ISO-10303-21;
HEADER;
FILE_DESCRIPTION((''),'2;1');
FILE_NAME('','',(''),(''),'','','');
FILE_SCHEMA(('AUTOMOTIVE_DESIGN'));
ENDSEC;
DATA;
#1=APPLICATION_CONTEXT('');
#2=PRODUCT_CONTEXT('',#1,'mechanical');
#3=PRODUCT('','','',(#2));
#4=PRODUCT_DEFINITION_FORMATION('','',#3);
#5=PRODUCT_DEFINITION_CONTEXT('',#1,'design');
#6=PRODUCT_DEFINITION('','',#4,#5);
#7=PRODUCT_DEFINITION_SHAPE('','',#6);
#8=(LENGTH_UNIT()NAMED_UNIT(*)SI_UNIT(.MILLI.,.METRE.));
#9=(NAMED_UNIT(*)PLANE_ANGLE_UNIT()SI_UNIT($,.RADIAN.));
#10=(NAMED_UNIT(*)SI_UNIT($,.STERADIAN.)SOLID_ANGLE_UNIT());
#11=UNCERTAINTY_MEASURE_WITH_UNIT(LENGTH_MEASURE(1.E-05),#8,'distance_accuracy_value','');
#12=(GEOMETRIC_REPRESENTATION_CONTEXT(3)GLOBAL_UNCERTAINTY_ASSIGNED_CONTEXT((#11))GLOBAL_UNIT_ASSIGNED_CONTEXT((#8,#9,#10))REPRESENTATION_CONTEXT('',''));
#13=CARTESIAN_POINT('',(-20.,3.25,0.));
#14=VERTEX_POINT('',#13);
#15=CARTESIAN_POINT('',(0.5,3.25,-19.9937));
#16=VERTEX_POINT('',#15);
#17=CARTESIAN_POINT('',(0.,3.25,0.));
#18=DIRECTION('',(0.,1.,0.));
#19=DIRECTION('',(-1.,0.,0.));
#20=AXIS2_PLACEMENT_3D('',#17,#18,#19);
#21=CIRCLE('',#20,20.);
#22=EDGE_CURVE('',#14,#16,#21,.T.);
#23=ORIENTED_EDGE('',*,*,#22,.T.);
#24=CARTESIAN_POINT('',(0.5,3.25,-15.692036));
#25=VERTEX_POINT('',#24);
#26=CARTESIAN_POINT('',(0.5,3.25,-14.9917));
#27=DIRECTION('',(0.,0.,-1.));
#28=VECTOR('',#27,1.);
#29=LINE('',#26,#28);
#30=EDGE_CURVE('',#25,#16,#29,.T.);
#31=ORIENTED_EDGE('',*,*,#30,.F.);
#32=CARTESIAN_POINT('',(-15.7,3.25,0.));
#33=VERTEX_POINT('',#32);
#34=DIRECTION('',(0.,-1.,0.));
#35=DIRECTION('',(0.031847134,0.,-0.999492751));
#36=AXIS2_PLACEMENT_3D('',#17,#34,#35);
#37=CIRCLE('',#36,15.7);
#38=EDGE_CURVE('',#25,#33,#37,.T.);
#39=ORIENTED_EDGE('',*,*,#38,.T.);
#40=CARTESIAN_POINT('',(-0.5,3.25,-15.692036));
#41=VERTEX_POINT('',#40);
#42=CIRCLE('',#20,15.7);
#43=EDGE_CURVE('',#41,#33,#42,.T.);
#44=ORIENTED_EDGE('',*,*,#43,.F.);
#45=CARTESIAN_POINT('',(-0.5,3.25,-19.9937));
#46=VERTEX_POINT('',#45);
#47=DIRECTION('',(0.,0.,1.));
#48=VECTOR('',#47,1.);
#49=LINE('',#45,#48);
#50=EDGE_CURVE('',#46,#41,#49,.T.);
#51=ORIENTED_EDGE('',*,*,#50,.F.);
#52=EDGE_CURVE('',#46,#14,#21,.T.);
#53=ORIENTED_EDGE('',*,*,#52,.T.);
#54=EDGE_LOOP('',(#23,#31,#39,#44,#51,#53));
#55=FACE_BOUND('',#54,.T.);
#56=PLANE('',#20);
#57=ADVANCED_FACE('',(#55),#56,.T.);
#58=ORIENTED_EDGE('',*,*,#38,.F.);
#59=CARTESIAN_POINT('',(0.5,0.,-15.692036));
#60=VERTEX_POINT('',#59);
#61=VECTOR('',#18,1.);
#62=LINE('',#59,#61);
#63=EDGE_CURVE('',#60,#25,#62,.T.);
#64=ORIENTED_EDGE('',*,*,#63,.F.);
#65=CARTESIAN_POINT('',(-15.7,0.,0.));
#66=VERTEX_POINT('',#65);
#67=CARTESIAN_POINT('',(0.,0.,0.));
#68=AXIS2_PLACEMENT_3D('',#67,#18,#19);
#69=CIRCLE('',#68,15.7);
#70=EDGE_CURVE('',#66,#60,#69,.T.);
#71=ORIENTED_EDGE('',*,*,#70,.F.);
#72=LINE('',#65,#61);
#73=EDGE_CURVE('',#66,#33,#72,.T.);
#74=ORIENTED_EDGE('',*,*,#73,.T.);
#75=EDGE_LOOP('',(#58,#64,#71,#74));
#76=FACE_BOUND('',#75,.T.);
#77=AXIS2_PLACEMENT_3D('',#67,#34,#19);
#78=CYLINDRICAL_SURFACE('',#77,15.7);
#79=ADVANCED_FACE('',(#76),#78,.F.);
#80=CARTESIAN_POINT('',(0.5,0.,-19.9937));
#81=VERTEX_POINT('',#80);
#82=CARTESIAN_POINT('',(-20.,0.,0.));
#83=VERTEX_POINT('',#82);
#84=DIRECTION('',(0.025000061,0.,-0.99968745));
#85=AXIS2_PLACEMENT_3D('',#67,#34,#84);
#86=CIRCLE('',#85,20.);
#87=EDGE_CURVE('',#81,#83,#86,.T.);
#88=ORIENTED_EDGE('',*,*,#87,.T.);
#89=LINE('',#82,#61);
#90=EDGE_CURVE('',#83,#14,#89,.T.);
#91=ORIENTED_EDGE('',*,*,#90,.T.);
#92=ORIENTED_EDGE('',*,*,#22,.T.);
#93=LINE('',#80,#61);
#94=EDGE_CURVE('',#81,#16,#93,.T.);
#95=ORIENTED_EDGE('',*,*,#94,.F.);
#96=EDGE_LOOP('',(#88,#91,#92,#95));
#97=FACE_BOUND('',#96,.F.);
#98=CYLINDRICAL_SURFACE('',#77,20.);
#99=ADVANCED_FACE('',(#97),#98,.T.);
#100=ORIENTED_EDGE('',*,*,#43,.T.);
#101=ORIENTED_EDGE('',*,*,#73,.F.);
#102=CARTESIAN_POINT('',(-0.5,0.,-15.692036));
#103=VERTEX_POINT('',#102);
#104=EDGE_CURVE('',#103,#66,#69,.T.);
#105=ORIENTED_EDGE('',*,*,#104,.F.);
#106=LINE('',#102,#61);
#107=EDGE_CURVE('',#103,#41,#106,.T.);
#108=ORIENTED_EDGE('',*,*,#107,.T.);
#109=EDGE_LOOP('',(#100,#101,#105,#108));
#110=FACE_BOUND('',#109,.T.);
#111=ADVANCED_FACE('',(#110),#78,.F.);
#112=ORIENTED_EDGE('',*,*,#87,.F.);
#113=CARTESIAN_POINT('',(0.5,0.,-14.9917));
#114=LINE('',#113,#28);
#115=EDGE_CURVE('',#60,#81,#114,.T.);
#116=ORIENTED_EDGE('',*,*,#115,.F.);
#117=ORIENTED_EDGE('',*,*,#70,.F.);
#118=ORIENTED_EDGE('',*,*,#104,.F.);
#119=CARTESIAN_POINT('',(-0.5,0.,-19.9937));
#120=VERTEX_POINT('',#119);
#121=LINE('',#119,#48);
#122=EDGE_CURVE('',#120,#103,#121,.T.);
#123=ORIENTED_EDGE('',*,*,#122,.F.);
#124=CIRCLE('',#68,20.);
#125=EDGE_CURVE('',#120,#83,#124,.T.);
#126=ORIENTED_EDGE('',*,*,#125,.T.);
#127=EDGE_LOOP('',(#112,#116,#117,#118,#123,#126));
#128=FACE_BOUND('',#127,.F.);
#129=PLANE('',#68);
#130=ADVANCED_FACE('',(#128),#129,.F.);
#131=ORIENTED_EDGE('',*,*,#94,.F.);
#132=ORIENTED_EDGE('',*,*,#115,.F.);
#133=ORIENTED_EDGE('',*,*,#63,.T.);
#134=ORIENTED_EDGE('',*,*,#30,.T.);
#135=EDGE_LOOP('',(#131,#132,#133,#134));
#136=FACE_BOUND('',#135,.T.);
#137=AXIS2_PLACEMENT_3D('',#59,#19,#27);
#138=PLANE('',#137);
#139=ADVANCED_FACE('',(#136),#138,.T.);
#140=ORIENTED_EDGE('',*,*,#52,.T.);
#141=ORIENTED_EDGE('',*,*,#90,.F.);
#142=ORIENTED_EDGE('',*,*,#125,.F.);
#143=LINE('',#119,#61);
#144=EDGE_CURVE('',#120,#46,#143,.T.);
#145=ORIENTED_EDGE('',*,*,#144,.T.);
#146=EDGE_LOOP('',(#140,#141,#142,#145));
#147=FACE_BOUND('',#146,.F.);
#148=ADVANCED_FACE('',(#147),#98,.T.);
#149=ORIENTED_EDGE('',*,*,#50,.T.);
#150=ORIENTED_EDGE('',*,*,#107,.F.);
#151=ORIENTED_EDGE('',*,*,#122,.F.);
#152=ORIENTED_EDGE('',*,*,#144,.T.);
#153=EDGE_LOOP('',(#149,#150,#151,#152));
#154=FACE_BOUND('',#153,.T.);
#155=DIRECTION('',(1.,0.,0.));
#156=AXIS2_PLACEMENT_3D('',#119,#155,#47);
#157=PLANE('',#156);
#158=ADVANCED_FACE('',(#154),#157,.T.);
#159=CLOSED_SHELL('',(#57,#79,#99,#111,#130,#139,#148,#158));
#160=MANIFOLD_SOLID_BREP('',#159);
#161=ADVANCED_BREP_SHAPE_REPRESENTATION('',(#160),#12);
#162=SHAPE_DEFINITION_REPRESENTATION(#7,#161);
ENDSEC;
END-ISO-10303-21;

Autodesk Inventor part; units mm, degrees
ref_plane "YZ Plane" through (0, 0, 0) normal (1, 0, 0) x (0, 1, 0)
ref_plane "XZ Plane" through (0, 0, 0) normal (0, 1, 0) x (-1, 0, 0)
ref_plane "XY Plane" through (0, 0, 0) normal (0, 0, 1) x (1, 0, 0)
sketch "Sketch1" plane through (0, 0, 0) normal (0, 1, 0) x (-1, 0, 0)
  circle A0 centre (0, 0) radius 20
  circle A1 centre (0, 0) radius 15
  line L0 (-0.5, -14.9917) -> (-0.5, -19.9937)
  line L1 (0.5, -19.9937) -> (0.5, -14.9917)
  line L2 (0, -28) -> (0, 28) projected
  circle A2 centre (0, 0) radius 15.7
  point P0 (-0.5, -15.692)
  point P1 (0.5, -15.692)
  dimension "d0" = 40
  dimension "d1" = 5
  dimension "d2" = 1
  dimension "d5" = 4.3
extrude "Extrusion1" add sketch "Sketch1" along normal blind 3.25 contours L1 A2 L2 A0 | L2 A2 L0 A0 picked at (18.3995, 1.4835) picked at (-2.823, 18.227)
ref_plane "Work Plane1" through (0, 0, -14.9917) normal (1, 0, 0) x (0, 0, -1)
properties part number "Test_Radiator_Disc"
